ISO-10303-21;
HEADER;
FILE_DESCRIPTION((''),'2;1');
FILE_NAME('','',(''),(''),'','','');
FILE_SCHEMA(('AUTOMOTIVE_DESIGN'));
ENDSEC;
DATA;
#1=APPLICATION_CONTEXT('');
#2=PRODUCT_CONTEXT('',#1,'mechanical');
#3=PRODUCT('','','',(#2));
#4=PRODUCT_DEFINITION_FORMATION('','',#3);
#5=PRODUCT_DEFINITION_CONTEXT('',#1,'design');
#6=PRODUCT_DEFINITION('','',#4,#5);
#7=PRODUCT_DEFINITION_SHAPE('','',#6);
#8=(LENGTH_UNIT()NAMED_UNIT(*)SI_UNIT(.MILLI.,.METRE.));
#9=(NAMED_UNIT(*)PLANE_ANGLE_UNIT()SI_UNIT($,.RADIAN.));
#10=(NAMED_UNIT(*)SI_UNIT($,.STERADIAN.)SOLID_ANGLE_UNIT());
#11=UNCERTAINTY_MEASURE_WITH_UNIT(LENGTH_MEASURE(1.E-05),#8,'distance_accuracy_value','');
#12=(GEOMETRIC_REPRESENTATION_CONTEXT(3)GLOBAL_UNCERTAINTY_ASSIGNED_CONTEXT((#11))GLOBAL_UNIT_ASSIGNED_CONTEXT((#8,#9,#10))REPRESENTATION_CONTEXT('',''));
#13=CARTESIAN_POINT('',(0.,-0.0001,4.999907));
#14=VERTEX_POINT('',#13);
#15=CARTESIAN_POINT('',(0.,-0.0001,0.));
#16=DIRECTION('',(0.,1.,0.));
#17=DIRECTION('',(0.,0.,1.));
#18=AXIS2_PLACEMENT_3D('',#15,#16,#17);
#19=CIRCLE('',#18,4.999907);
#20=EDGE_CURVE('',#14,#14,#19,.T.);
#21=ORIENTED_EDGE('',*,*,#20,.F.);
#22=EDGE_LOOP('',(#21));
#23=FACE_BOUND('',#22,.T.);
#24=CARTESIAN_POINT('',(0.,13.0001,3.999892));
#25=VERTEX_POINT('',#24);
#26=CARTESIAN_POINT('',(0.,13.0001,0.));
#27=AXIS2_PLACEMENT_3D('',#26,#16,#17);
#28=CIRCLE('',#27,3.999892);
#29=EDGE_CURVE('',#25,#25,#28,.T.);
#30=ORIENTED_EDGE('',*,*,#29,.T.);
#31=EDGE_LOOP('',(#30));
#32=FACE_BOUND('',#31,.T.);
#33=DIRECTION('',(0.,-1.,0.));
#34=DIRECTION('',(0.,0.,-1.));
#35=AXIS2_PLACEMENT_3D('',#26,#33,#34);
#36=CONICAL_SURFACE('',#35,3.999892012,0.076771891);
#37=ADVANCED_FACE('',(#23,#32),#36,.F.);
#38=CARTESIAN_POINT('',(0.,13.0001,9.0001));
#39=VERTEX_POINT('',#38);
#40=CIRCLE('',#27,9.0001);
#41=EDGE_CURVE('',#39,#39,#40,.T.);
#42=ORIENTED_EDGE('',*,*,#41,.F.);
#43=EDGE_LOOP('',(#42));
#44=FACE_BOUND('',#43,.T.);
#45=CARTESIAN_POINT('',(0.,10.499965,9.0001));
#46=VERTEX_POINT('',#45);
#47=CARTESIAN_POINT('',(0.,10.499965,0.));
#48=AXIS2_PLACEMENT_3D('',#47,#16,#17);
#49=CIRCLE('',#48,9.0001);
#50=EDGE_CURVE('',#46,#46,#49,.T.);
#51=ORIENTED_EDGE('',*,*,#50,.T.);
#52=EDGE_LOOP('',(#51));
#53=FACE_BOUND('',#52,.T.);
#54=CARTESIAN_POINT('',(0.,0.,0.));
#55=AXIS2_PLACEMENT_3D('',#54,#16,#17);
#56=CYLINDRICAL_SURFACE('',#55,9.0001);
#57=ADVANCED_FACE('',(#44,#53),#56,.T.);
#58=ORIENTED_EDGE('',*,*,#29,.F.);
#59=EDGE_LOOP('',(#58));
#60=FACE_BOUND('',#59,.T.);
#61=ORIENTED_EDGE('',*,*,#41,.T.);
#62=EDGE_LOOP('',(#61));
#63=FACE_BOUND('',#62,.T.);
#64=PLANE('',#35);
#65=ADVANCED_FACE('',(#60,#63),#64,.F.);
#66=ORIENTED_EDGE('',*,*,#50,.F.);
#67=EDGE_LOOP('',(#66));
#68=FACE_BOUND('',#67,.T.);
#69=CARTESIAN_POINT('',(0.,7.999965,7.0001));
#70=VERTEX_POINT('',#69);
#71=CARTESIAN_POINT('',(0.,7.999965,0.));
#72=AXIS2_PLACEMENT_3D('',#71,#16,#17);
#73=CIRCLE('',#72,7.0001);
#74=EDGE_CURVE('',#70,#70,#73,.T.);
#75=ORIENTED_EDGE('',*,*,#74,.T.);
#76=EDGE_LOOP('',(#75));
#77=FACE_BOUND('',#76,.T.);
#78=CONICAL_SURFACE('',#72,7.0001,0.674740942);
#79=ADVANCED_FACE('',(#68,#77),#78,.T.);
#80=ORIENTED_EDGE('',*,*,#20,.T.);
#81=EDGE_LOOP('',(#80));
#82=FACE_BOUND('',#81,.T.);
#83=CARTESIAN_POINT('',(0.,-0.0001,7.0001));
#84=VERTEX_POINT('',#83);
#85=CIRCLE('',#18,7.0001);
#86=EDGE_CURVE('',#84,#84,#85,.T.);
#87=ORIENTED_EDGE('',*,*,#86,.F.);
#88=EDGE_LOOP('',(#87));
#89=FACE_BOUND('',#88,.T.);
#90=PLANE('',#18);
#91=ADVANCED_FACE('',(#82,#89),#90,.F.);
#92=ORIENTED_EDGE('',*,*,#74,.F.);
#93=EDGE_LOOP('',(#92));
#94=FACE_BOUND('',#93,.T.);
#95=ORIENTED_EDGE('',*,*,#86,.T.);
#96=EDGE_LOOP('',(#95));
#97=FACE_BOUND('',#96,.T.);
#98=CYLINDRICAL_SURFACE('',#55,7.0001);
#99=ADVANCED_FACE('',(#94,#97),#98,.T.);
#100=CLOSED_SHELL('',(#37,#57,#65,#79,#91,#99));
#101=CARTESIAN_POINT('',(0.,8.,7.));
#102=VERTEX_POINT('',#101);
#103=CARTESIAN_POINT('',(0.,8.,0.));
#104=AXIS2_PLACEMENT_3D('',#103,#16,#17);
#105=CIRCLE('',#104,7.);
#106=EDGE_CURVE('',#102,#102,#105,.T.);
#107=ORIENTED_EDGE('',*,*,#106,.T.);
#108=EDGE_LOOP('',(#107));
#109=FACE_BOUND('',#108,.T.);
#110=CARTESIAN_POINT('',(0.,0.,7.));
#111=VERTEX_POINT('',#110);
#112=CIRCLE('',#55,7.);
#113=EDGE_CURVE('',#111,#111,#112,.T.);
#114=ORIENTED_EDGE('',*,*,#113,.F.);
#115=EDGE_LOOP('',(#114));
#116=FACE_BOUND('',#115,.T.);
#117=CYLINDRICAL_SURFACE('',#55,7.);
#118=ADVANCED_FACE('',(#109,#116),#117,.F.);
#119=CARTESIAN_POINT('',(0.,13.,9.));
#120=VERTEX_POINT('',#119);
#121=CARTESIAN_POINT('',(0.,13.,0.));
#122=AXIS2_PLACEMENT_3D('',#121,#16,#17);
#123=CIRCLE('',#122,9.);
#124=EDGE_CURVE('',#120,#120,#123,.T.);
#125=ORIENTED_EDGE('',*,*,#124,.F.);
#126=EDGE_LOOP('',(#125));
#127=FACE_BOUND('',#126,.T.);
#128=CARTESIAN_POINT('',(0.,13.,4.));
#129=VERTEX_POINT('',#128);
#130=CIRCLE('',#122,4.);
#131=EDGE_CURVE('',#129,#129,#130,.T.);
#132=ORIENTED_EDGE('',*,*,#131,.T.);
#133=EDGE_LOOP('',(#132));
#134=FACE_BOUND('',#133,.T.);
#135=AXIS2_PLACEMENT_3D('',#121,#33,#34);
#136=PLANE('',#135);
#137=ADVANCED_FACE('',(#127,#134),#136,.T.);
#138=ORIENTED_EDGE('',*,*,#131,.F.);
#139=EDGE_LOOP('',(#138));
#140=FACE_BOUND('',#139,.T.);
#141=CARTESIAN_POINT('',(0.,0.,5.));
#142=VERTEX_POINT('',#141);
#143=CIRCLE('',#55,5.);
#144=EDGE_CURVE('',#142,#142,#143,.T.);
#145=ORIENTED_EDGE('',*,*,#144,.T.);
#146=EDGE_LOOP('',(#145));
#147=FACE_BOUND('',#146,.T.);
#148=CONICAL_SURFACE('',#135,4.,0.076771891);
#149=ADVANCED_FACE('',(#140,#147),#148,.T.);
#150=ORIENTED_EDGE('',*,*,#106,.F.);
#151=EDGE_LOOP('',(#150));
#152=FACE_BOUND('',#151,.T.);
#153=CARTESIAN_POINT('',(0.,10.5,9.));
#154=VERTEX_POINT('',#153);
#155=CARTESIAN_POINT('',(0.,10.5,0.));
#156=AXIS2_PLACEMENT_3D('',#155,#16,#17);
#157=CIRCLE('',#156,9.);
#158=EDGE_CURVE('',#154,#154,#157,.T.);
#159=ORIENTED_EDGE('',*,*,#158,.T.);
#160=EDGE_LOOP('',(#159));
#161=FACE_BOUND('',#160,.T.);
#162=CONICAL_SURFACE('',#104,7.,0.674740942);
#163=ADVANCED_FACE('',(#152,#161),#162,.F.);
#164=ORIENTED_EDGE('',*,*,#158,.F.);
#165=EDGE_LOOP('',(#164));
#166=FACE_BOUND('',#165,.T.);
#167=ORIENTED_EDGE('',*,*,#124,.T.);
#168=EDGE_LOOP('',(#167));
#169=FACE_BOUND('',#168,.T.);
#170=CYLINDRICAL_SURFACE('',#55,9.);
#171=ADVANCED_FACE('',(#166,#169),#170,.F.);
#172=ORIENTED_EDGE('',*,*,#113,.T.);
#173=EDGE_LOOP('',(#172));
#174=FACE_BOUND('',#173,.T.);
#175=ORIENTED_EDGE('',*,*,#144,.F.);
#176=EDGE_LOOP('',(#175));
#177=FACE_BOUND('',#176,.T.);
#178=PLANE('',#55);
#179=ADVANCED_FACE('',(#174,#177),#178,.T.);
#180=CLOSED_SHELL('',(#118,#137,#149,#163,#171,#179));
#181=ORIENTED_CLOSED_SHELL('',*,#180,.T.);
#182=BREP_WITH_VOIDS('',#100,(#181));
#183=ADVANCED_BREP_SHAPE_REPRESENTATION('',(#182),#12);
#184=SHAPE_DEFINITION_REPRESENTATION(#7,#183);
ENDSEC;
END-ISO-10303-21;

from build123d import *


with BuildPart() as part:
    # Sketch1 → Revolve-Thin7 (revolve)
    with BuildSketch(Plane.XY, mode=Mode.PRIVATE) as revolve_thin7_sk:
        Polygon((5, 0), (7, 0), (7, 8), (9, 10.5), (9, 13), (4, 13), align=None)
        Polygon((5.000092603, 0.0001), (6.9999, 0.0001), (6.9999, 8.000035078), (8.9999, 10.500035078), (8.9999, 12.9999), (4.000107988, 12.9999), align=None, mode=Mode.SUBTRACT)
    revolve(revolve_thin7_sk.sketch.rotate(Axis((0, 0, 0), (0, 1, 0)), 270), axis=Axis((0, 0, 0), (0, 1, 0)))


solid = part.part
